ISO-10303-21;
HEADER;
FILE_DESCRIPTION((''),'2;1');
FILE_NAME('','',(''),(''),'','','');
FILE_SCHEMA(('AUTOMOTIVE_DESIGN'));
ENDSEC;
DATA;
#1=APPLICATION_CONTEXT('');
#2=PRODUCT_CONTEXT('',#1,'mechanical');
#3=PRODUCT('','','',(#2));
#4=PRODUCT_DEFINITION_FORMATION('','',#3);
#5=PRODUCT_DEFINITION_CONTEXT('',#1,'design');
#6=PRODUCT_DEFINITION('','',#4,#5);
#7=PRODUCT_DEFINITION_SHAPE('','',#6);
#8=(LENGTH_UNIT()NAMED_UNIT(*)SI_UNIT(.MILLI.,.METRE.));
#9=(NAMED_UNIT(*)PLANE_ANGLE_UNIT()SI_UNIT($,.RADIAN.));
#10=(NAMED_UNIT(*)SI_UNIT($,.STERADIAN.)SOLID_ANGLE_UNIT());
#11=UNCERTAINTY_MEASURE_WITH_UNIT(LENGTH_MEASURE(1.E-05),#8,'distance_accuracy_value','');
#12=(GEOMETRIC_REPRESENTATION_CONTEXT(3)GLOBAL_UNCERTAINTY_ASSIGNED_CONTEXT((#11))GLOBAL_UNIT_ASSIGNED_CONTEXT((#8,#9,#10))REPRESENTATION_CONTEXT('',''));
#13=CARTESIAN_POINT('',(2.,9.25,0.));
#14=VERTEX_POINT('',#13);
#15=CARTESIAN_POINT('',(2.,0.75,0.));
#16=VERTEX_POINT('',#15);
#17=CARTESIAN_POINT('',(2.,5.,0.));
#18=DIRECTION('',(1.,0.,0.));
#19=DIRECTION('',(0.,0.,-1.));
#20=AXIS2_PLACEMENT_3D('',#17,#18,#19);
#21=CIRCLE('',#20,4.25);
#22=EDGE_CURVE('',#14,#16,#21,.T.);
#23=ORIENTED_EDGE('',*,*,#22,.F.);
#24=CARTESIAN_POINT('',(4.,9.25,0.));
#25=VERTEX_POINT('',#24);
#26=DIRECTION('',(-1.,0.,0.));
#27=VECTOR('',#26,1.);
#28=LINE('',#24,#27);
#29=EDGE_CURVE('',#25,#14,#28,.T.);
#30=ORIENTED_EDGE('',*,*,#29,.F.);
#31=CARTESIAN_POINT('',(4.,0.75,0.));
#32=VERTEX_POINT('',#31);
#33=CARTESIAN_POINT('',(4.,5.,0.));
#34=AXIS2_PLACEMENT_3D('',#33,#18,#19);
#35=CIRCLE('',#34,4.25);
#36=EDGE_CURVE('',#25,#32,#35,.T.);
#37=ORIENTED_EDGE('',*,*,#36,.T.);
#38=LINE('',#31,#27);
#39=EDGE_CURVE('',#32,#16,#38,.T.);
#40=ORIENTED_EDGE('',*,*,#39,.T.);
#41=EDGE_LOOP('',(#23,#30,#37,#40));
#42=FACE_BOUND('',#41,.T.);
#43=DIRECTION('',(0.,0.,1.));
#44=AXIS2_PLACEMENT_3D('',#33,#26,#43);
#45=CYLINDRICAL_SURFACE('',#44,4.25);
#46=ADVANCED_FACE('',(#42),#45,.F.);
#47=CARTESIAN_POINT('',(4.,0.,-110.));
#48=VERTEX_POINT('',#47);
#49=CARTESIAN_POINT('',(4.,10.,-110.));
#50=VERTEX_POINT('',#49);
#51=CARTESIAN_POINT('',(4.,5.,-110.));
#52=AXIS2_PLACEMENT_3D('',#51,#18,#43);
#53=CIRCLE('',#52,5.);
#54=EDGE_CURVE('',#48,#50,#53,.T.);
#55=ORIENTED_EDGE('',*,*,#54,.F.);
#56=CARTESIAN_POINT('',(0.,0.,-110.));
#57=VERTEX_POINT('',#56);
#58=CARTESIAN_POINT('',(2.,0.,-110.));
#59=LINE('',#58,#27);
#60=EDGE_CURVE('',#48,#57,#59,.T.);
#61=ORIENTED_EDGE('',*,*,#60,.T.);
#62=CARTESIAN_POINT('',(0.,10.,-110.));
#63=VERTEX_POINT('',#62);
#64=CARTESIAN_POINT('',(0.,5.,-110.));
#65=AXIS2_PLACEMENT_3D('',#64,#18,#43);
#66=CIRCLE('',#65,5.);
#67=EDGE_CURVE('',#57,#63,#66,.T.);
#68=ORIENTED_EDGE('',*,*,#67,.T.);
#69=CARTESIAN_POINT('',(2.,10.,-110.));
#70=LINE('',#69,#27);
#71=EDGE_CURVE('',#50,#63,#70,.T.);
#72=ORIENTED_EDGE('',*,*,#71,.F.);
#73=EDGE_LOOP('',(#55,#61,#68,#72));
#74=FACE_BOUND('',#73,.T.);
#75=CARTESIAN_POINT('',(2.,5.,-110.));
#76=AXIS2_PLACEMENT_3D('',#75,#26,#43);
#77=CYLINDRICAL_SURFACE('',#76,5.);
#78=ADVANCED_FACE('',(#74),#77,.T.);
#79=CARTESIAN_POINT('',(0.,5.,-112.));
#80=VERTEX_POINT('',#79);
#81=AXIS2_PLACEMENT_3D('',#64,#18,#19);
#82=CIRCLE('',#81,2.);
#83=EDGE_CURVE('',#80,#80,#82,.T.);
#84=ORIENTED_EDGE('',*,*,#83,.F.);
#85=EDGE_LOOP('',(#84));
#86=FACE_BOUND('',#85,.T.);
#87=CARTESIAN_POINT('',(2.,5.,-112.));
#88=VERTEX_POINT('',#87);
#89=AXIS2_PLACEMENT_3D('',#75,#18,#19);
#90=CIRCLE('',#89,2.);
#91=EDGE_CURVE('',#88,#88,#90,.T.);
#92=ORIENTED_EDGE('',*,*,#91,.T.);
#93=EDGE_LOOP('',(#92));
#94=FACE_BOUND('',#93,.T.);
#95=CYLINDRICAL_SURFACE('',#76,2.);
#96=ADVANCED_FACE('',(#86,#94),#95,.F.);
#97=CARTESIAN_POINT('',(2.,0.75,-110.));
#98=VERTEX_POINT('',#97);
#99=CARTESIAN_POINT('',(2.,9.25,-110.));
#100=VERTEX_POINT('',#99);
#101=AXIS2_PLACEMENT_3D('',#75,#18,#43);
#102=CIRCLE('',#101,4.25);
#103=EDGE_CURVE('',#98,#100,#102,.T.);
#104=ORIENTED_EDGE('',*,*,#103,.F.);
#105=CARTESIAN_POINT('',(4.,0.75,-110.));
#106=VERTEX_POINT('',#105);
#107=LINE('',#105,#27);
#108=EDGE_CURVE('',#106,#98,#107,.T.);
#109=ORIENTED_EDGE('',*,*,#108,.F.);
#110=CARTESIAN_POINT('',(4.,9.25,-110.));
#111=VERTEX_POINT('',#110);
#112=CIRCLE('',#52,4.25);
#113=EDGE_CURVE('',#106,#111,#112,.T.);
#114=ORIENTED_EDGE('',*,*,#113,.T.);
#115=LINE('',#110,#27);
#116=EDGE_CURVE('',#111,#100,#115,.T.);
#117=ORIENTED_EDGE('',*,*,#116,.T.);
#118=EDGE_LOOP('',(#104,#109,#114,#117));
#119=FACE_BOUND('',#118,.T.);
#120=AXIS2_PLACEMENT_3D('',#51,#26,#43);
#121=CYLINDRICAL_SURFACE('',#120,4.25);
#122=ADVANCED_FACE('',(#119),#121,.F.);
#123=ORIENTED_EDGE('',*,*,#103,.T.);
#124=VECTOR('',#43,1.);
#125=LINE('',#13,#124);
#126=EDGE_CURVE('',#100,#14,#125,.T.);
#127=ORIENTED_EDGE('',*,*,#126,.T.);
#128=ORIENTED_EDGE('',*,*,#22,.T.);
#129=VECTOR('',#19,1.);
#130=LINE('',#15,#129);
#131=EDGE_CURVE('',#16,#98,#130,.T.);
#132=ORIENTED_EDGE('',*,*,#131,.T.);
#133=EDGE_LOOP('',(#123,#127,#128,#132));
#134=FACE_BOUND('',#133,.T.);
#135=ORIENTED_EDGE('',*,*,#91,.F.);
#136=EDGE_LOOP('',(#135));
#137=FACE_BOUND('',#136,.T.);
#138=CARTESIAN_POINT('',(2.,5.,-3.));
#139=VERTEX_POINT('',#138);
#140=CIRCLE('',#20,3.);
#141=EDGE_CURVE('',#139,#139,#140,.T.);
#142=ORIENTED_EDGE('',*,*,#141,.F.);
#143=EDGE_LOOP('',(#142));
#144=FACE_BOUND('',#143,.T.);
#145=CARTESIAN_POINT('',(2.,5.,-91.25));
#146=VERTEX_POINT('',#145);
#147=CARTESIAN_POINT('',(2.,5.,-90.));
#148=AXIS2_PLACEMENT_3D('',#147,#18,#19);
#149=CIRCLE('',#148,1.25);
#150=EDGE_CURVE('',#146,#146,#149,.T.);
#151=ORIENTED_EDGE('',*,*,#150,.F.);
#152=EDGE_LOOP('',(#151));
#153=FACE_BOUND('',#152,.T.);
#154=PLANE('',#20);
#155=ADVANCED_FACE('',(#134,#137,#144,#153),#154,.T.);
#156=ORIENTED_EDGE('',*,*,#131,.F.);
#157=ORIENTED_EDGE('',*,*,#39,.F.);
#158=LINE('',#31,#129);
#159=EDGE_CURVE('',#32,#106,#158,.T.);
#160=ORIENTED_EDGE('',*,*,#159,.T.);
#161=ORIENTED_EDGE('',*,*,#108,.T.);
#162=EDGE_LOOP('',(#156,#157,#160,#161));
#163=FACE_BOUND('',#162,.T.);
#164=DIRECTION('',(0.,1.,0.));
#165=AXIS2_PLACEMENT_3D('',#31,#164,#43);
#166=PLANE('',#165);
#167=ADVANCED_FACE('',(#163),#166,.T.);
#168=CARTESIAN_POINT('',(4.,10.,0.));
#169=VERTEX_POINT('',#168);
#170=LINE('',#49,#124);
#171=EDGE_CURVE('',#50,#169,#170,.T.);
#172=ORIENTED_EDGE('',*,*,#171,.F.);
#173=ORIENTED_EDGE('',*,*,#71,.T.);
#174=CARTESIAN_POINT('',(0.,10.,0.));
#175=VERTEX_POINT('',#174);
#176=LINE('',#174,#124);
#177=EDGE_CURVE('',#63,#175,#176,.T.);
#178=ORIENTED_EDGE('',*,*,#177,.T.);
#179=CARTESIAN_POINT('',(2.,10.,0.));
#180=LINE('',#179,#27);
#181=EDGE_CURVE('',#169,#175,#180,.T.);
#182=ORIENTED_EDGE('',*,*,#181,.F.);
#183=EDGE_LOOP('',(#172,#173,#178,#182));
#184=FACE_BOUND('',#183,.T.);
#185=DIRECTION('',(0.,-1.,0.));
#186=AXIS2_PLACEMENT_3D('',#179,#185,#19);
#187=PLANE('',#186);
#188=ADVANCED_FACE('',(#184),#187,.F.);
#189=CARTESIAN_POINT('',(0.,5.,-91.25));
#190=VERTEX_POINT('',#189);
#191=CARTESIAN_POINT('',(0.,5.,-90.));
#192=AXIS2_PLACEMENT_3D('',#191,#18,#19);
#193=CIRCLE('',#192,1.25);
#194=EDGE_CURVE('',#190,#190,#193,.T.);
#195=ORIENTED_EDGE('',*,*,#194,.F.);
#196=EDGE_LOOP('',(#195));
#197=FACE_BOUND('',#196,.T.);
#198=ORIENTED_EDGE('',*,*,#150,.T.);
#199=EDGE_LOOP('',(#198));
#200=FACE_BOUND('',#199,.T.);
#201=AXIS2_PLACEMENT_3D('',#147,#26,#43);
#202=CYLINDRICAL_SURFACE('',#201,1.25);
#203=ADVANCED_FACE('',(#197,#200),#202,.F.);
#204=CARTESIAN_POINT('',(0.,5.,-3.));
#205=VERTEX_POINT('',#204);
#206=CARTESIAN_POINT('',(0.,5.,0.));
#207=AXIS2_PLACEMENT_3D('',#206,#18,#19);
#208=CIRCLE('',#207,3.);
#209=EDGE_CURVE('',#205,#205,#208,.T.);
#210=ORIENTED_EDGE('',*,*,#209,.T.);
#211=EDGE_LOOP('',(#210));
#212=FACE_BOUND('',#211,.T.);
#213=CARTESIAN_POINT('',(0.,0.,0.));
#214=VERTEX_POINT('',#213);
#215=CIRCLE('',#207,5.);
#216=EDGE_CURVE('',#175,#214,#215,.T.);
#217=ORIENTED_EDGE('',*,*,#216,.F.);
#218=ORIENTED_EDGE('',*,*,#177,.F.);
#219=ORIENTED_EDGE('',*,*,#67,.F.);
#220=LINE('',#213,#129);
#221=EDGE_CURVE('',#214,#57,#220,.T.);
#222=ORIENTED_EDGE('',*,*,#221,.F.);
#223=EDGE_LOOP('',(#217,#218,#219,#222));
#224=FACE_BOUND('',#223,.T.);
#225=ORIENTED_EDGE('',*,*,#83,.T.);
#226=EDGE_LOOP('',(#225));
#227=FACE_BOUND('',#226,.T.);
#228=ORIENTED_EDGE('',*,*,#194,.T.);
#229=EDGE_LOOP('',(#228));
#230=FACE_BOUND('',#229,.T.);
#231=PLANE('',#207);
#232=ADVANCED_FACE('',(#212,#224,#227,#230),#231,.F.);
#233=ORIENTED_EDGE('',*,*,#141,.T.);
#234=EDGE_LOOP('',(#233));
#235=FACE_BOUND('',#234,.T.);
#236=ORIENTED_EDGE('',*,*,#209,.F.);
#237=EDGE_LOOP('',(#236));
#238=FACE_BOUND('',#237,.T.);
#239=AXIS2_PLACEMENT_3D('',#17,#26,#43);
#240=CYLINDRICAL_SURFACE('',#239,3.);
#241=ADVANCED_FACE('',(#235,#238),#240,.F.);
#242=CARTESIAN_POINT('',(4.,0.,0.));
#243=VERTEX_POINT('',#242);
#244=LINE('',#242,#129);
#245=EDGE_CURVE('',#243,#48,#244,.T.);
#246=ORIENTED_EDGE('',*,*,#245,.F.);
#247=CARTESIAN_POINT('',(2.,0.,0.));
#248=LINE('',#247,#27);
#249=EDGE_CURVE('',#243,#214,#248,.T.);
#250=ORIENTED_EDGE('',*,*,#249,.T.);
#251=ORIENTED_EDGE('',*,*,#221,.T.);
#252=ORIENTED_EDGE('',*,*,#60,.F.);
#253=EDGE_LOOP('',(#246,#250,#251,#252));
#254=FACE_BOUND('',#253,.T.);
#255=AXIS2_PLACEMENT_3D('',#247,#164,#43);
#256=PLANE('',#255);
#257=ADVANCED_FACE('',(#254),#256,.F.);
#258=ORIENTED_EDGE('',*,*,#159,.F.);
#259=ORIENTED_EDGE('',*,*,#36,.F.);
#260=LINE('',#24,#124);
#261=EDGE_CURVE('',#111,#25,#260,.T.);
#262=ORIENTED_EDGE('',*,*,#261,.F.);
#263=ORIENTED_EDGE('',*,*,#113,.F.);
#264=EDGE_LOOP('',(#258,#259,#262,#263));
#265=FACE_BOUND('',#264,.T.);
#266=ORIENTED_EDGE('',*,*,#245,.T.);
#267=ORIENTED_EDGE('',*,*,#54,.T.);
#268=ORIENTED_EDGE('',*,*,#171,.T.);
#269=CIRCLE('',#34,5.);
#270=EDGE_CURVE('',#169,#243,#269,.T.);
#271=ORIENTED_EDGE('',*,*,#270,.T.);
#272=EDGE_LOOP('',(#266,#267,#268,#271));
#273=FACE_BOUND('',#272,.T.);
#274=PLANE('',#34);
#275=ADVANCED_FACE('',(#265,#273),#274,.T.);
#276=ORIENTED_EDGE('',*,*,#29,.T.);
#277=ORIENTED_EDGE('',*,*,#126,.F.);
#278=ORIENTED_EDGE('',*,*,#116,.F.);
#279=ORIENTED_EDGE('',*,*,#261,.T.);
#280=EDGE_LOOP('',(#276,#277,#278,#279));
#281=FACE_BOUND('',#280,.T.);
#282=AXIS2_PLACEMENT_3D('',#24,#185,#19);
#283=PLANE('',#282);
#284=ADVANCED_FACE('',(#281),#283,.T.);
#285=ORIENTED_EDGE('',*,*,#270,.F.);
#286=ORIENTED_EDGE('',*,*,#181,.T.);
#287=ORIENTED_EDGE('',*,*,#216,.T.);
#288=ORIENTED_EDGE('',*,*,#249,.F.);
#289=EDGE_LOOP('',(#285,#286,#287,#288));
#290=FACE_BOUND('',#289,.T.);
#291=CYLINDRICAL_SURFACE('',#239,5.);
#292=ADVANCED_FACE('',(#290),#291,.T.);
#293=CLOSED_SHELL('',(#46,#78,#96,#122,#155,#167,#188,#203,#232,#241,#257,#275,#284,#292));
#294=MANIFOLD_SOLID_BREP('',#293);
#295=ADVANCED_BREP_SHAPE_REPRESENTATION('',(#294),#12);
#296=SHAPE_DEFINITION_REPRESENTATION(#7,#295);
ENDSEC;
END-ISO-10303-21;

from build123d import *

# Parameters (mm, degrees)
SKETCH1_R           = 3
SKETCH1_R_2         = 2
SKETCH1_R_3         = 1.25
BOSS_EXTRUDE1_DEPTH = 2
BOSS_EXTRUDE3_DEPTH = 2


with BuildPart() as part:
    # Sketch1 → Boss-Extrude1 (new body)
    with BuildSketch(Plane(origin=(0, 0, 0), x_dir=(0, 0, -1), z_dir=(1, 0, 0))):
        with BuildLine():
            Line((0, 0), (110, 0))
            ThreePointArc((110, 0), (115, 5), (110, 10))
            Line((110, 10), (0, 10))
            ThreePointArc((0, 10), (-5, 5), (0, 0))
        make_face()
        with Locations((0, 5)):
            Circle(SKETCH1_R, mode=Mode.SUBTRACT)
        with Locations((110, 5)):
            Circle(SKETCH1_R_2, mode=Mode.SUBTRACT)
        with Locations((90, 5)):
            Circle(SKETCH1_R_3, mode=Mode.SUBTRACT)
    extrude(amount=BOSS_EXTRUDE1_DEPTH)

    # Sketch2 → Boss-Extrude3 (add)
    with BuildSketch(Plane(origin=(2, 0, 0), x_dir=(0, 0, -1), z_dir=(1, 0, 0))):
        with BuildLine():
            Line((0, 0), (110, 0))
            ThreePointArc((110, 0), (115, 5), (110, 10))
            Line((110, 10), (0, 10))
            ThreePointArc((0, 10), (-5, 5), (0, 0))
        make_face()
        with BuildLine():
            Line((0, 9.25), (110, 9.25))
            ThreePointArc((110, 9.25), (114.25, 5), (110, 0.75))
            Line((110, 0.75), (0, 0.75))
            ThreePointArc((0, 0.75), (-4.25, 5), (0, 9.25))
        make_face(mode=Mode.SUBTRACT)
    extrude(amount=BOSS_EXTRUDE3_DEPTH)


solid = part.part
